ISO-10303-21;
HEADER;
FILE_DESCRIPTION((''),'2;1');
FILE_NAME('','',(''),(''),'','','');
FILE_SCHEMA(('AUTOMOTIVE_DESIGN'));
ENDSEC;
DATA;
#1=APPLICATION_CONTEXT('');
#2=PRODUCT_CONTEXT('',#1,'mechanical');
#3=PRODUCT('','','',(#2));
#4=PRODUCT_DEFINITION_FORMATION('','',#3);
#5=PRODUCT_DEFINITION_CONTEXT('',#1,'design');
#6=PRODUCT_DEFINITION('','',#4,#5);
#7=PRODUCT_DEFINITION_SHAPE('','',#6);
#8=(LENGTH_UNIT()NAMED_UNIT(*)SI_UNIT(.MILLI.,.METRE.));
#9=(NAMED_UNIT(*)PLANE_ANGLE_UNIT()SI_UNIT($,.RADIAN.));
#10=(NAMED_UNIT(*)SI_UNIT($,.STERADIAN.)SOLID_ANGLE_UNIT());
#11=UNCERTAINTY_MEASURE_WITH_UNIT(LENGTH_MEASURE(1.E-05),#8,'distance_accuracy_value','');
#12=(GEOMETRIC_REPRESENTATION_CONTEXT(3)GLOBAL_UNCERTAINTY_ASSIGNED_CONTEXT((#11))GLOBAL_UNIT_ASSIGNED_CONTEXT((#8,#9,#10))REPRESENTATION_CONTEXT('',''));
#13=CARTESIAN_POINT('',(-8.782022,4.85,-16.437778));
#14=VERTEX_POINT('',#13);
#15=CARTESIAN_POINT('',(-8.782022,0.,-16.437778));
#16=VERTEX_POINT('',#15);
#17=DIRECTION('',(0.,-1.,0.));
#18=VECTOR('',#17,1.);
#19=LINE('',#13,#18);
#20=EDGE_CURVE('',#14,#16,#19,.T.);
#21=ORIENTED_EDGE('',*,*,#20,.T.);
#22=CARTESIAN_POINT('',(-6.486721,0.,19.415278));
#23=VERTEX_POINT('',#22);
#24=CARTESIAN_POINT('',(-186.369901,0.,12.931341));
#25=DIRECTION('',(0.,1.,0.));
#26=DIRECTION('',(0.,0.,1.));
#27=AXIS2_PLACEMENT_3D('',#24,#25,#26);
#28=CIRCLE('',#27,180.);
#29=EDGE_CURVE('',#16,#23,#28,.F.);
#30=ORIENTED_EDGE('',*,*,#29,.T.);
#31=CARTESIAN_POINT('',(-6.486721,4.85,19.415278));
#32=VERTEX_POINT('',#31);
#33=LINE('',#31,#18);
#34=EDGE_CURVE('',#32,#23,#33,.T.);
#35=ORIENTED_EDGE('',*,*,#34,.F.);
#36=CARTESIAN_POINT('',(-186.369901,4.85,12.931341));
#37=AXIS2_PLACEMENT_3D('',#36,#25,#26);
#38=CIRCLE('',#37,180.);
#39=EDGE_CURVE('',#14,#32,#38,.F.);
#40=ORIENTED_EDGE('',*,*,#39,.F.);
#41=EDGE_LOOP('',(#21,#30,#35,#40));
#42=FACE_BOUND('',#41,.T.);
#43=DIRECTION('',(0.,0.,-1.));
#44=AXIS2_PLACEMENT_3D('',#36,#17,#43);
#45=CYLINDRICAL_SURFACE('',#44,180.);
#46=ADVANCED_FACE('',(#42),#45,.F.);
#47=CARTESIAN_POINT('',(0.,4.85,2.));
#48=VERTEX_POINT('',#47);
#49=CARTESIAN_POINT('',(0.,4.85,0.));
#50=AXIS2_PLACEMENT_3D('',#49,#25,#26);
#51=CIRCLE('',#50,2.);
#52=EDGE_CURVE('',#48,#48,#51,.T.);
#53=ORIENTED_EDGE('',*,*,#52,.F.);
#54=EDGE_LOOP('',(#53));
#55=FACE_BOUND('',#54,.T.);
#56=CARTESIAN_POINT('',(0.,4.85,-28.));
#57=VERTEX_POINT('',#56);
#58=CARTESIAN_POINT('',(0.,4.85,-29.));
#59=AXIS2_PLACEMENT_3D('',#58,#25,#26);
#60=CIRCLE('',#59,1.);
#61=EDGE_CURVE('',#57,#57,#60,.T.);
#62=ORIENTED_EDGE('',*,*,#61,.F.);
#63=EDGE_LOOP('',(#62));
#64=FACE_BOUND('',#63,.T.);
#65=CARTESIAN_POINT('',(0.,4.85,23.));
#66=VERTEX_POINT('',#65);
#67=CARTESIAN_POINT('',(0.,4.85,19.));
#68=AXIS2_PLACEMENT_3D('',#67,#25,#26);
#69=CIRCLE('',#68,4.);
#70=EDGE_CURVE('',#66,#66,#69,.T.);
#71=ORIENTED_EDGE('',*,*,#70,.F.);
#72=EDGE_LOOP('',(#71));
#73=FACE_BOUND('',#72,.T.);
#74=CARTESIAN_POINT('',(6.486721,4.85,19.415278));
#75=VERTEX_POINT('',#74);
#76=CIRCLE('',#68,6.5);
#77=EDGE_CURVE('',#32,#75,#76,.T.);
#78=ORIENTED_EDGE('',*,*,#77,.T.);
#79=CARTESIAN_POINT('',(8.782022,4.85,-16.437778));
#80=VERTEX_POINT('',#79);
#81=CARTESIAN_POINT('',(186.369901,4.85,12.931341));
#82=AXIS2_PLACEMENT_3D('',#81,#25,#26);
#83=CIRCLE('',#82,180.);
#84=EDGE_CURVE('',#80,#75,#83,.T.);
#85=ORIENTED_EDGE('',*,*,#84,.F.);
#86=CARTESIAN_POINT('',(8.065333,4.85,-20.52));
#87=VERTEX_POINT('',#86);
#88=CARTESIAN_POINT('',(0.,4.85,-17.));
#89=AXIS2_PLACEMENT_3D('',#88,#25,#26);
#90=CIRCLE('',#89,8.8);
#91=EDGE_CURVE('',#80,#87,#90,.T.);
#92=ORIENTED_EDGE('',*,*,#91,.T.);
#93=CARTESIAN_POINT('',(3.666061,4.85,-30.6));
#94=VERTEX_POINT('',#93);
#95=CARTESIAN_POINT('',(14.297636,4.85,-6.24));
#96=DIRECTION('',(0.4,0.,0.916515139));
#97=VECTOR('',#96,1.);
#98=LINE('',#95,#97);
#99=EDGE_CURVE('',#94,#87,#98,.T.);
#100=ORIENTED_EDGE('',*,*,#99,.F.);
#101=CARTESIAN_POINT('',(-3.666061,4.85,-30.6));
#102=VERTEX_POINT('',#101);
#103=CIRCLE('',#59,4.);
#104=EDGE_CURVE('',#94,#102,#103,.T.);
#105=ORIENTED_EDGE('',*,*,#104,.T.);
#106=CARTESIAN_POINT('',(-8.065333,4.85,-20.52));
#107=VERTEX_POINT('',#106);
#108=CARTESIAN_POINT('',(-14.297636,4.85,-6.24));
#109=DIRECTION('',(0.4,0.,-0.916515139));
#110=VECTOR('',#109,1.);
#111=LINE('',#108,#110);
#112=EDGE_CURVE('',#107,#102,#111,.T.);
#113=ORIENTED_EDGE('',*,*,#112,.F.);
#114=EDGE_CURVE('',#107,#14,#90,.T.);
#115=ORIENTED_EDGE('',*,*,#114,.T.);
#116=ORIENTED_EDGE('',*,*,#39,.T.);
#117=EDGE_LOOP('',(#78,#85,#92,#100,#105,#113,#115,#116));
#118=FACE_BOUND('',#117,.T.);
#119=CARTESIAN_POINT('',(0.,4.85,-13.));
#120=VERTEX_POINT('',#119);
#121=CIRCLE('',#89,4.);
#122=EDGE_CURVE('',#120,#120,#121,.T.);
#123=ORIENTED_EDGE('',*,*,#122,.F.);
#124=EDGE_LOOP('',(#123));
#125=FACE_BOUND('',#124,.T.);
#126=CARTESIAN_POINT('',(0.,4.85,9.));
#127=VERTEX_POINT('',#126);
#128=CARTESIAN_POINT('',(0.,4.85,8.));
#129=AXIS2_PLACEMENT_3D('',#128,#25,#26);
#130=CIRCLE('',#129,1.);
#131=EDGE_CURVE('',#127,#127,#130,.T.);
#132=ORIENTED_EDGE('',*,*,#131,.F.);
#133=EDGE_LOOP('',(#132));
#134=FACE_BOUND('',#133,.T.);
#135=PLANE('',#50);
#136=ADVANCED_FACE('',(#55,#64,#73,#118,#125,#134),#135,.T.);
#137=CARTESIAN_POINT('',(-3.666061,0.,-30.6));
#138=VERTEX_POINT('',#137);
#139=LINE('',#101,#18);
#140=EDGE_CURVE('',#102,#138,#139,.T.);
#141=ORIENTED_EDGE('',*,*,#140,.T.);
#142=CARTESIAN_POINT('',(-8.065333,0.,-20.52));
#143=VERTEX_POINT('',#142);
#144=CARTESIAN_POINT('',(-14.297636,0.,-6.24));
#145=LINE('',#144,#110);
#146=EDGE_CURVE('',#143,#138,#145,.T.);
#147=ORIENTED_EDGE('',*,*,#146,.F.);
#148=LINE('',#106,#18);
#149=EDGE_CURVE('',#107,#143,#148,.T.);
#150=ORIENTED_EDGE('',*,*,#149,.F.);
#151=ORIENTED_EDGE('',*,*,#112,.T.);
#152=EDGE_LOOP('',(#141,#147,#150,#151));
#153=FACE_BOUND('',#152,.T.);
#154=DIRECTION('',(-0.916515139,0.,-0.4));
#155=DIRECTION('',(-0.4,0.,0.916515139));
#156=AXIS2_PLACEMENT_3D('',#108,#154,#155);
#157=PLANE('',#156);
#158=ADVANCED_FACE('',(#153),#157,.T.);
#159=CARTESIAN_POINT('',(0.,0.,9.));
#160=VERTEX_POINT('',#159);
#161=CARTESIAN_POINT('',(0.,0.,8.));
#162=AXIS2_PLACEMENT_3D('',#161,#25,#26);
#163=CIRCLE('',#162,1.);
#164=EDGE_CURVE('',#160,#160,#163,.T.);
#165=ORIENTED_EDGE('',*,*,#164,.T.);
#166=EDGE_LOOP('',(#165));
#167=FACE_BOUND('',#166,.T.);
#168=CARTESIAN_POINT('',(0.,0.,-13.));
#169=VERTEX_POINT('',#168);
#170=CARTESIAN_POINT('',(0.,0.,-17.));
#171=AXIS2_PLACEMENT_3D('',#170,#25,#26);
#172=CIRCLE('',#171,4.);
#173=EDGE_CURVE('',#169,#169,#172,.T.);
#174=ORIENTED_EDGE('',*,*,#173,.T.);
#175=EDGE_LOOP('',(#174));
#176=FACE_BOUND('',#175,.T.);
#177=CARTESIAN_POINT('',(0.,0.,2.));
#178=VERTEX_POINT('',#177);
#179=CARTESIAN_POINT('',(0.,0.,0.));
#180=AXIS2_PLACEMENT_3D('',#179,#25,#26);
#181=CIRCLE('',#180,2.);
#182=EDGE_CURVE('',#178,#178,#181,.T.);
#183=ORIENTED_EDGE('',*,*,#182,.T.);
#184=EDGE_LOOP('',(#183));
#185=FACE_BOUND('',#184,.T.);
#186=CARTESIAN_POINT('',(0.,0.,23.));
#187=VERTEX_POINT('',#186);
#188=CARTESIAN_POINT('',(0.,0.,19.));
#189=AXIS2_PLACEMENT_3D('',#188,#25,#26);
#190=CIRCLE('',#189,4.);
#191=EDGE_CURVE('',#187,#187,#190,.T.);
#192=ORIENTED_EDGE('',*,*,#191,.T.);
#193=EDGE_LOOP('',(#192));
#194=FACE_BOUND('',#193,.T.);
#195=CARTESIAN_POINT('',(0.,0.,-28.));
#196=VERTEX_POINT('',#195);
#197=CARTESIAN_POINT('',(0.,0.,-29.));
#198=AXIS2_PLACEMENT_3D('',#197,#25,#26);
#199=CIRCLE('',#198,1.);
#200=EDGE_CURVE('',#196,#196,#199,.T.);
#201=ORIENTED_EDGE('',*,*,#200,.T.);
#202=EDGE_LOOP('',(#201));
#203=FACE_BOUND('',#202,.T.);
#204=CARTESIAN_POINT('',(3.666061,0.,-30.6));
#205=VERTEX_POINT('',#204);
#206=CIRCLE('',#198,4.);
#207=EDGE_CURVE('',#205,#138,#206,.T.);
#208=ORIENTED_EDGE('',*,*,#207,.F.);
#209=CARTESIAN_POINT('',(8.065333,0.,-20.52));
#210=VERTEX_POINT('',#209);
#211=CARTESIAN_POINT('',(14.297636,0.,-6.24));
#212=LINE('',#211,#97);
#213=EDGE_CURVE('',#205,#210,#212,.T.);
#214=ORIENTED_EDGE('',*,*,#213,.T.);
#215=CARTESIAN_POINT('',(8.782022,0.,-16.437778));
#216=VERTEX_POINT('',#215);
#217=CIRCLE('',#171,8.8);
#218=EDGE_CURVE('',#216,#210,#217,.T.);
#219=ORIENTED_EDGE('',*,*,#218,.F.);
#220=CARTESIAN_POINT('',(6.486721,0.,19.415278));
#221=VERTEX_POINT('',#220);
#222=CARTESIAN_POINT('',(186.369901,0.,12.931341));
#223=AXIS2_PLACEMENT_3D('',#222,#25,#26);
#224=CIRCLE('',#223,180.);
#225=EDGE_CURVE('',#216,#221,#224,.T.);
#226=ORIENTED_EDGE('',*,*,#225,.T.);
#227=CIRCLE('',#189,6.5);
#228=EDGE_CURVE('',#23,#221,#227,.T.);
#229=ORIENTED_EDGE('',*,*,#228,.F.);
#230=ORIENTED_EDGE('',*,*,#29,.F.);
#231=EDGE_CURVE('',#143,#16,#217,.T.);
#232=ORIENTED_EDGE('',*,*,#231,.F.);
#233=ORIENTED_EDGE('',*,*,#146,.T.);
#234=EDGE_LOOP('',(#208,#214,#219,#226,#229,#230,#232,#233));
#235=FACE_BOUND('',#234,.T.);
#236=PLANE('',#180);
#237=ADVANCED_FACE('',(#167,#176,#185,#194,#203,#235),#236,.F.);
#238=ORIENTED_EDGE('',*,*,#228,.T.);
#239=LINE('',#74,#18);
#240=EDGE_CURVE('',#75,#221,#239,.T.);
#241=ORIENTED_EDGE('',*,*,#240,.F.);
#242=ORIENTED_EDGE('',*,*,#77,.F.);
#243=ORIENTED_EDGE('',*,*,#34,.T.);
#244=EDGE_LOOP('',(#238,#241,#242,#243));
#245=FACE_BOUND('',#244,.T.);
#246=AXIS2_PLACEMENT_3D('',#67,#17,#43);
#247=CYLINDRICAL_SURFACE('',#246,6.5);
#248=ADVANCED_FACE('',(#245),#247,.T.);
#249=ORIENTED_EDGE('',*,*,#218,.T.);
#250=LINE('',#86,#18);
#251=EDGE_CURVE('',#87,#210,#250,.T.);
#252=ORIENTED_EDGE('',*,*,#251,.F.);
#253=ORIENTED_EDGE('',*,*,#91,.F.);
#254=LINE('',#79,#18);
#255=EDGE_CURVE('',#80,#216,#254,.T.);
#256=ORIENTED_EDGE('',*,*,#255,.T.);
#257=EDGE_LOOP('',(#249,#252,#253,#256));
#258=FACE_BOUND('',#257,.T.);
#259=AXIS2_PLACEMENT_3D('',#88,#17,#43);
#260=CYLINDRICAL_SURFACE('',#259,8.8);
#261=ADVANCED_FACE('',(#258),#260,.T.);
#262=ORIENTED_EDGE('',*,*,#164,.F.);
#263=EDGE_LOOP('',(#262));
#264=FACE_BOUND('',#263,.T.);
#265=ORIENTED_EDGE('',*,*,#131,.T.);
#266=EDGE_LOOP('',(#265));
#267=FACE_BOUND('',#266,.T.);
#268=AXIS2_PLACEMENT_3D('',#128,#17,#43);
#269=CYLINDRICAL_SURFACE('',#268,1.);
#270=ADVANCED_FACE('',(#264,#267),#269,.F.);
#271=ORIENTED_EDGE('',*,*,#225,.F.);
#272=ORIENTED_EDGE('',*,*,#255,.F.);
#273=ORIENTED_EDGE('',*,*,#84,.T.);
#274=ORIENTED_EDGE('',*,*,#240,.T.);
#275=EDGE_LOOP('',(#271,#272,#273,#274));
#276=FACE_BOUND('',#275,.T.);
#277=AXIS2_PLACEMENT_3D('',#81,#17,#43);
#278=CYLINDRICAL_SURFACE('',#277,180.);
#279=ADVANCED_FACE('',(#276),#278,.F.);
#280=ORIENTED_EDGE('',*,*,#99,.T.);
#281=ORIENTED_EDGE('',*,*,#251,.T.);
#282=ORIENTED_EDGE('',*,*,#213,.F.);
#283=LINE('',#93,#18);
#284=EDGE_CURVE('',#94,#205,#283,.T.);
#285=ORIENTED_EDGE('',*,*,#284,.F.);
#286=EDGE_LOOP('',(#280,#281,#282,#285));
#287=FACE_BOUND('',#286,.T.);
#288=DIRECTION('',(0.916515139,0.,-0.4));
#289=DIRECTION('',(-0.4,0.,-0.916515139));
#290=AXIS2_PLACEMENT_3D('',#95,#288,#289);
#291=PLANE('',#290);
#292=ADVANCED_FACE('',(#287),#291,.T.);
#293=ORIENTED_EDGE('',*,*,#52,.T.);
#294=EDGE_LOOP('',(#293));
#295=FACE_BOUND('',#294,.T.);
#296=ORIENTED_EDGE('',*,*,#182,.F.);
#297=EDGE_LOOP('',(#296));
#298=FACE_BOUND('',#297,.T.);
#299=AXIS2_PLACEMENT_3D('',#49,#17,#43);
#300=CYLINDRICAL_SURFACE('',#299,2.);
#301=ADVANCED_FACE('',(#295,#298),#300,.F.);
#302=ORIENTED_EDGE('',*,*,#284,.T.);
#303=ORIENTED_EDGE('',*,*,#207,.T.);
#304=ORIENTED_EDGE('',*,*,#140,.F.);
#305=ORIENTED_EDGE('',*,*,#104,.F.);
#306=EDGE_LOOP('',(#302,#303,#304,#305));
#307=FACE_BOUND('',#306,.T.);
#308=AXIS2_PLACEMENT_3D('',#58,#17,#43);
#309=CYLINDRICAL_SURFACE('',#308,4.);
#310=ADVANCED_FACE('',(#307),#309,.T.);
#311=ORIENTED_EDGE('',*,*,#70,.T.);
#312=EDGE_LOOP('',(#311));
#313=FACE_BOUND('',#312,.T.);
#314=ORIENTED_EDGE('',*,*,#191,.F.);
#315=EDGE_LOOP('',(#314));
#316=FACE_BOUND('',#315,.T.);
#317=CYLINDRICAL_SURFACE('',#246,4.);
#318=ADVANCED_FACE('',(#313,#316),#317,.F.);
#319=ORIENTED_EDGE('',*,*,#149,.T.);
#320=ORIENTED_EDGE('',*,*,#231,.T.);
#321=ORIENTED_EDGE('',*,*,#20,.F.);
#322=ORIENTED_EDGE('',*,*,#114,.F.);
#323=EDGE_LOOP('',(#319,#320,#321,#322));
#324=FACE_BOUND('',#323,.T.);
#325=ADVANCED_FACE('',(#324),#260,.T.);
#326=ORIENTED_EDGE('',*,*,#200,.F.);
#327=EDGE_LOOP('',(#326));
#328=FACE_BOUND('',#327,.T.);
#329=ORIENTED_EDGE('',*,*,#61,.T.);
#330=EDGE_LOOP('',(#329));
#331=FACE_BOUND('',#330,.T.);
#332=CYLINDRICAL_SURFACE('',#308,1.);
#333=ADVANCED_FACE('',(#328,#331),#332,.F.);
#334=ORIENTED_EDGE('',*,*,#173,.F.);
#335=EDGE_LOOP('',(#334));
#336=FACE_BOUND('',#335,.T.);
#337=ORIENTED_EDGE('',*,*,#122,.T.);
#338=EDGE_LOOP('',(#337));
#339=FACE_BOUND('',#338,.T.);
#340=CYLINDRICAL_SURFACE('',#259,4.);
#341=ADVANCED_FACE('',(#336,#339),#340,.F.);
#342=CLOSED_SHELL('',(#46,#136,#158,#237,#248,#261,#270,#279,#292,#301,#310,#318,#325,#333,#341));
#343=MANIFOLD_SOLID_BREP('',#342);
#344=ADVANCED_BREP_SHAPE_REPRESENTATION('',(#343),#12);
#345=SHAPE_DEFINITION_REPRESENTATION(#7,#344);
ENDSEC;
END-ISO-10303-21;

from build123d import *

# Parameters (mm, degrees)
SKETCH1_R           = 4
SKETCH1_R_2         = 1
SKETCH1_R_3         = 2
BOSS_EXTRUDE1_DEPTH = 4.85


with BuildPart() as part:
    # Sketch1 → Boss-Extrude1 (new body)
    with BuildSketch(Plane(origin=(0, 0, 0), x_dir=(1, 0, 0), z_dir=(0, 1, 0))):
        with BuildLine():
            Line((-3.666060556, 30.6), (-8.065333223, 20.52))
            ThreePointArc((-8.065333223, 20.52), (-8.667437744, 18.521684251), (-8.782021759, 16.437777778))
            ThreePointArc((-8.782021759, 16.437777778), (-8.64730319, 15.61122755), (-8.516431626, 14.784059485))
            ThreePointArc((-8.516431626, 14.784059485), (-6.724262557, -1.642204863), (-6.445963017, -18.163602496))
            ThreePointArc((-6.445963017, -18.163602496), (-6.465253257, -18.789475583), (-6.486720617, -19.415277778))
            ThreePointArc((-6.486720617, -19.415277778), (0, -25.5), (6.486720617, -19.415277778))
            ThreePointArc((6.486720617, -19.415277778), (6.465253257, -18.789475583), (6.445963017, -18.163602496))
            ThreePointArc((6.445963017, -18.163602496), (6.724262557, -1.642204863), (8.516431626, 14.784059485))
            ThreePointArc((8.516431626, 14.784059485), (8.64730319, 15.61122755), (8.782021759, 16.437777778))
            ThreePointArc((8.782021759, 16.437777778), (8.667437744, 18.521684251), (8.065333223, 20.52))
            Line((8.065333223, 20.52), (3.666060556, 30.6))
            ThreePointArc((3.666060556, 30.6), (0, 33), (-3.666060556, 30.6))
        make_face()
        with Locations((0, -19)):
            Circle(SKETCH1_R, mode=Mode.SUBTRACT)
        with Locations((0, -8)):
            Circle(SKETCH1_R_2, mode=Mode.SUBTRACT)
        Circle(SKETCH1_R_3, mode=Mode.SUBTRACT)
        with Locations((0, 17)):
            Circle(SKETCH1_R, mode=Mode.SUBTRACT)
        with Locations((0, 29)):
            Circle(SKETCH1_R_2, mode=Mode.SUBTRACT)
    extrude(amount=BOSS_EXTRUDE1_DEPTH)


solid = part.part
